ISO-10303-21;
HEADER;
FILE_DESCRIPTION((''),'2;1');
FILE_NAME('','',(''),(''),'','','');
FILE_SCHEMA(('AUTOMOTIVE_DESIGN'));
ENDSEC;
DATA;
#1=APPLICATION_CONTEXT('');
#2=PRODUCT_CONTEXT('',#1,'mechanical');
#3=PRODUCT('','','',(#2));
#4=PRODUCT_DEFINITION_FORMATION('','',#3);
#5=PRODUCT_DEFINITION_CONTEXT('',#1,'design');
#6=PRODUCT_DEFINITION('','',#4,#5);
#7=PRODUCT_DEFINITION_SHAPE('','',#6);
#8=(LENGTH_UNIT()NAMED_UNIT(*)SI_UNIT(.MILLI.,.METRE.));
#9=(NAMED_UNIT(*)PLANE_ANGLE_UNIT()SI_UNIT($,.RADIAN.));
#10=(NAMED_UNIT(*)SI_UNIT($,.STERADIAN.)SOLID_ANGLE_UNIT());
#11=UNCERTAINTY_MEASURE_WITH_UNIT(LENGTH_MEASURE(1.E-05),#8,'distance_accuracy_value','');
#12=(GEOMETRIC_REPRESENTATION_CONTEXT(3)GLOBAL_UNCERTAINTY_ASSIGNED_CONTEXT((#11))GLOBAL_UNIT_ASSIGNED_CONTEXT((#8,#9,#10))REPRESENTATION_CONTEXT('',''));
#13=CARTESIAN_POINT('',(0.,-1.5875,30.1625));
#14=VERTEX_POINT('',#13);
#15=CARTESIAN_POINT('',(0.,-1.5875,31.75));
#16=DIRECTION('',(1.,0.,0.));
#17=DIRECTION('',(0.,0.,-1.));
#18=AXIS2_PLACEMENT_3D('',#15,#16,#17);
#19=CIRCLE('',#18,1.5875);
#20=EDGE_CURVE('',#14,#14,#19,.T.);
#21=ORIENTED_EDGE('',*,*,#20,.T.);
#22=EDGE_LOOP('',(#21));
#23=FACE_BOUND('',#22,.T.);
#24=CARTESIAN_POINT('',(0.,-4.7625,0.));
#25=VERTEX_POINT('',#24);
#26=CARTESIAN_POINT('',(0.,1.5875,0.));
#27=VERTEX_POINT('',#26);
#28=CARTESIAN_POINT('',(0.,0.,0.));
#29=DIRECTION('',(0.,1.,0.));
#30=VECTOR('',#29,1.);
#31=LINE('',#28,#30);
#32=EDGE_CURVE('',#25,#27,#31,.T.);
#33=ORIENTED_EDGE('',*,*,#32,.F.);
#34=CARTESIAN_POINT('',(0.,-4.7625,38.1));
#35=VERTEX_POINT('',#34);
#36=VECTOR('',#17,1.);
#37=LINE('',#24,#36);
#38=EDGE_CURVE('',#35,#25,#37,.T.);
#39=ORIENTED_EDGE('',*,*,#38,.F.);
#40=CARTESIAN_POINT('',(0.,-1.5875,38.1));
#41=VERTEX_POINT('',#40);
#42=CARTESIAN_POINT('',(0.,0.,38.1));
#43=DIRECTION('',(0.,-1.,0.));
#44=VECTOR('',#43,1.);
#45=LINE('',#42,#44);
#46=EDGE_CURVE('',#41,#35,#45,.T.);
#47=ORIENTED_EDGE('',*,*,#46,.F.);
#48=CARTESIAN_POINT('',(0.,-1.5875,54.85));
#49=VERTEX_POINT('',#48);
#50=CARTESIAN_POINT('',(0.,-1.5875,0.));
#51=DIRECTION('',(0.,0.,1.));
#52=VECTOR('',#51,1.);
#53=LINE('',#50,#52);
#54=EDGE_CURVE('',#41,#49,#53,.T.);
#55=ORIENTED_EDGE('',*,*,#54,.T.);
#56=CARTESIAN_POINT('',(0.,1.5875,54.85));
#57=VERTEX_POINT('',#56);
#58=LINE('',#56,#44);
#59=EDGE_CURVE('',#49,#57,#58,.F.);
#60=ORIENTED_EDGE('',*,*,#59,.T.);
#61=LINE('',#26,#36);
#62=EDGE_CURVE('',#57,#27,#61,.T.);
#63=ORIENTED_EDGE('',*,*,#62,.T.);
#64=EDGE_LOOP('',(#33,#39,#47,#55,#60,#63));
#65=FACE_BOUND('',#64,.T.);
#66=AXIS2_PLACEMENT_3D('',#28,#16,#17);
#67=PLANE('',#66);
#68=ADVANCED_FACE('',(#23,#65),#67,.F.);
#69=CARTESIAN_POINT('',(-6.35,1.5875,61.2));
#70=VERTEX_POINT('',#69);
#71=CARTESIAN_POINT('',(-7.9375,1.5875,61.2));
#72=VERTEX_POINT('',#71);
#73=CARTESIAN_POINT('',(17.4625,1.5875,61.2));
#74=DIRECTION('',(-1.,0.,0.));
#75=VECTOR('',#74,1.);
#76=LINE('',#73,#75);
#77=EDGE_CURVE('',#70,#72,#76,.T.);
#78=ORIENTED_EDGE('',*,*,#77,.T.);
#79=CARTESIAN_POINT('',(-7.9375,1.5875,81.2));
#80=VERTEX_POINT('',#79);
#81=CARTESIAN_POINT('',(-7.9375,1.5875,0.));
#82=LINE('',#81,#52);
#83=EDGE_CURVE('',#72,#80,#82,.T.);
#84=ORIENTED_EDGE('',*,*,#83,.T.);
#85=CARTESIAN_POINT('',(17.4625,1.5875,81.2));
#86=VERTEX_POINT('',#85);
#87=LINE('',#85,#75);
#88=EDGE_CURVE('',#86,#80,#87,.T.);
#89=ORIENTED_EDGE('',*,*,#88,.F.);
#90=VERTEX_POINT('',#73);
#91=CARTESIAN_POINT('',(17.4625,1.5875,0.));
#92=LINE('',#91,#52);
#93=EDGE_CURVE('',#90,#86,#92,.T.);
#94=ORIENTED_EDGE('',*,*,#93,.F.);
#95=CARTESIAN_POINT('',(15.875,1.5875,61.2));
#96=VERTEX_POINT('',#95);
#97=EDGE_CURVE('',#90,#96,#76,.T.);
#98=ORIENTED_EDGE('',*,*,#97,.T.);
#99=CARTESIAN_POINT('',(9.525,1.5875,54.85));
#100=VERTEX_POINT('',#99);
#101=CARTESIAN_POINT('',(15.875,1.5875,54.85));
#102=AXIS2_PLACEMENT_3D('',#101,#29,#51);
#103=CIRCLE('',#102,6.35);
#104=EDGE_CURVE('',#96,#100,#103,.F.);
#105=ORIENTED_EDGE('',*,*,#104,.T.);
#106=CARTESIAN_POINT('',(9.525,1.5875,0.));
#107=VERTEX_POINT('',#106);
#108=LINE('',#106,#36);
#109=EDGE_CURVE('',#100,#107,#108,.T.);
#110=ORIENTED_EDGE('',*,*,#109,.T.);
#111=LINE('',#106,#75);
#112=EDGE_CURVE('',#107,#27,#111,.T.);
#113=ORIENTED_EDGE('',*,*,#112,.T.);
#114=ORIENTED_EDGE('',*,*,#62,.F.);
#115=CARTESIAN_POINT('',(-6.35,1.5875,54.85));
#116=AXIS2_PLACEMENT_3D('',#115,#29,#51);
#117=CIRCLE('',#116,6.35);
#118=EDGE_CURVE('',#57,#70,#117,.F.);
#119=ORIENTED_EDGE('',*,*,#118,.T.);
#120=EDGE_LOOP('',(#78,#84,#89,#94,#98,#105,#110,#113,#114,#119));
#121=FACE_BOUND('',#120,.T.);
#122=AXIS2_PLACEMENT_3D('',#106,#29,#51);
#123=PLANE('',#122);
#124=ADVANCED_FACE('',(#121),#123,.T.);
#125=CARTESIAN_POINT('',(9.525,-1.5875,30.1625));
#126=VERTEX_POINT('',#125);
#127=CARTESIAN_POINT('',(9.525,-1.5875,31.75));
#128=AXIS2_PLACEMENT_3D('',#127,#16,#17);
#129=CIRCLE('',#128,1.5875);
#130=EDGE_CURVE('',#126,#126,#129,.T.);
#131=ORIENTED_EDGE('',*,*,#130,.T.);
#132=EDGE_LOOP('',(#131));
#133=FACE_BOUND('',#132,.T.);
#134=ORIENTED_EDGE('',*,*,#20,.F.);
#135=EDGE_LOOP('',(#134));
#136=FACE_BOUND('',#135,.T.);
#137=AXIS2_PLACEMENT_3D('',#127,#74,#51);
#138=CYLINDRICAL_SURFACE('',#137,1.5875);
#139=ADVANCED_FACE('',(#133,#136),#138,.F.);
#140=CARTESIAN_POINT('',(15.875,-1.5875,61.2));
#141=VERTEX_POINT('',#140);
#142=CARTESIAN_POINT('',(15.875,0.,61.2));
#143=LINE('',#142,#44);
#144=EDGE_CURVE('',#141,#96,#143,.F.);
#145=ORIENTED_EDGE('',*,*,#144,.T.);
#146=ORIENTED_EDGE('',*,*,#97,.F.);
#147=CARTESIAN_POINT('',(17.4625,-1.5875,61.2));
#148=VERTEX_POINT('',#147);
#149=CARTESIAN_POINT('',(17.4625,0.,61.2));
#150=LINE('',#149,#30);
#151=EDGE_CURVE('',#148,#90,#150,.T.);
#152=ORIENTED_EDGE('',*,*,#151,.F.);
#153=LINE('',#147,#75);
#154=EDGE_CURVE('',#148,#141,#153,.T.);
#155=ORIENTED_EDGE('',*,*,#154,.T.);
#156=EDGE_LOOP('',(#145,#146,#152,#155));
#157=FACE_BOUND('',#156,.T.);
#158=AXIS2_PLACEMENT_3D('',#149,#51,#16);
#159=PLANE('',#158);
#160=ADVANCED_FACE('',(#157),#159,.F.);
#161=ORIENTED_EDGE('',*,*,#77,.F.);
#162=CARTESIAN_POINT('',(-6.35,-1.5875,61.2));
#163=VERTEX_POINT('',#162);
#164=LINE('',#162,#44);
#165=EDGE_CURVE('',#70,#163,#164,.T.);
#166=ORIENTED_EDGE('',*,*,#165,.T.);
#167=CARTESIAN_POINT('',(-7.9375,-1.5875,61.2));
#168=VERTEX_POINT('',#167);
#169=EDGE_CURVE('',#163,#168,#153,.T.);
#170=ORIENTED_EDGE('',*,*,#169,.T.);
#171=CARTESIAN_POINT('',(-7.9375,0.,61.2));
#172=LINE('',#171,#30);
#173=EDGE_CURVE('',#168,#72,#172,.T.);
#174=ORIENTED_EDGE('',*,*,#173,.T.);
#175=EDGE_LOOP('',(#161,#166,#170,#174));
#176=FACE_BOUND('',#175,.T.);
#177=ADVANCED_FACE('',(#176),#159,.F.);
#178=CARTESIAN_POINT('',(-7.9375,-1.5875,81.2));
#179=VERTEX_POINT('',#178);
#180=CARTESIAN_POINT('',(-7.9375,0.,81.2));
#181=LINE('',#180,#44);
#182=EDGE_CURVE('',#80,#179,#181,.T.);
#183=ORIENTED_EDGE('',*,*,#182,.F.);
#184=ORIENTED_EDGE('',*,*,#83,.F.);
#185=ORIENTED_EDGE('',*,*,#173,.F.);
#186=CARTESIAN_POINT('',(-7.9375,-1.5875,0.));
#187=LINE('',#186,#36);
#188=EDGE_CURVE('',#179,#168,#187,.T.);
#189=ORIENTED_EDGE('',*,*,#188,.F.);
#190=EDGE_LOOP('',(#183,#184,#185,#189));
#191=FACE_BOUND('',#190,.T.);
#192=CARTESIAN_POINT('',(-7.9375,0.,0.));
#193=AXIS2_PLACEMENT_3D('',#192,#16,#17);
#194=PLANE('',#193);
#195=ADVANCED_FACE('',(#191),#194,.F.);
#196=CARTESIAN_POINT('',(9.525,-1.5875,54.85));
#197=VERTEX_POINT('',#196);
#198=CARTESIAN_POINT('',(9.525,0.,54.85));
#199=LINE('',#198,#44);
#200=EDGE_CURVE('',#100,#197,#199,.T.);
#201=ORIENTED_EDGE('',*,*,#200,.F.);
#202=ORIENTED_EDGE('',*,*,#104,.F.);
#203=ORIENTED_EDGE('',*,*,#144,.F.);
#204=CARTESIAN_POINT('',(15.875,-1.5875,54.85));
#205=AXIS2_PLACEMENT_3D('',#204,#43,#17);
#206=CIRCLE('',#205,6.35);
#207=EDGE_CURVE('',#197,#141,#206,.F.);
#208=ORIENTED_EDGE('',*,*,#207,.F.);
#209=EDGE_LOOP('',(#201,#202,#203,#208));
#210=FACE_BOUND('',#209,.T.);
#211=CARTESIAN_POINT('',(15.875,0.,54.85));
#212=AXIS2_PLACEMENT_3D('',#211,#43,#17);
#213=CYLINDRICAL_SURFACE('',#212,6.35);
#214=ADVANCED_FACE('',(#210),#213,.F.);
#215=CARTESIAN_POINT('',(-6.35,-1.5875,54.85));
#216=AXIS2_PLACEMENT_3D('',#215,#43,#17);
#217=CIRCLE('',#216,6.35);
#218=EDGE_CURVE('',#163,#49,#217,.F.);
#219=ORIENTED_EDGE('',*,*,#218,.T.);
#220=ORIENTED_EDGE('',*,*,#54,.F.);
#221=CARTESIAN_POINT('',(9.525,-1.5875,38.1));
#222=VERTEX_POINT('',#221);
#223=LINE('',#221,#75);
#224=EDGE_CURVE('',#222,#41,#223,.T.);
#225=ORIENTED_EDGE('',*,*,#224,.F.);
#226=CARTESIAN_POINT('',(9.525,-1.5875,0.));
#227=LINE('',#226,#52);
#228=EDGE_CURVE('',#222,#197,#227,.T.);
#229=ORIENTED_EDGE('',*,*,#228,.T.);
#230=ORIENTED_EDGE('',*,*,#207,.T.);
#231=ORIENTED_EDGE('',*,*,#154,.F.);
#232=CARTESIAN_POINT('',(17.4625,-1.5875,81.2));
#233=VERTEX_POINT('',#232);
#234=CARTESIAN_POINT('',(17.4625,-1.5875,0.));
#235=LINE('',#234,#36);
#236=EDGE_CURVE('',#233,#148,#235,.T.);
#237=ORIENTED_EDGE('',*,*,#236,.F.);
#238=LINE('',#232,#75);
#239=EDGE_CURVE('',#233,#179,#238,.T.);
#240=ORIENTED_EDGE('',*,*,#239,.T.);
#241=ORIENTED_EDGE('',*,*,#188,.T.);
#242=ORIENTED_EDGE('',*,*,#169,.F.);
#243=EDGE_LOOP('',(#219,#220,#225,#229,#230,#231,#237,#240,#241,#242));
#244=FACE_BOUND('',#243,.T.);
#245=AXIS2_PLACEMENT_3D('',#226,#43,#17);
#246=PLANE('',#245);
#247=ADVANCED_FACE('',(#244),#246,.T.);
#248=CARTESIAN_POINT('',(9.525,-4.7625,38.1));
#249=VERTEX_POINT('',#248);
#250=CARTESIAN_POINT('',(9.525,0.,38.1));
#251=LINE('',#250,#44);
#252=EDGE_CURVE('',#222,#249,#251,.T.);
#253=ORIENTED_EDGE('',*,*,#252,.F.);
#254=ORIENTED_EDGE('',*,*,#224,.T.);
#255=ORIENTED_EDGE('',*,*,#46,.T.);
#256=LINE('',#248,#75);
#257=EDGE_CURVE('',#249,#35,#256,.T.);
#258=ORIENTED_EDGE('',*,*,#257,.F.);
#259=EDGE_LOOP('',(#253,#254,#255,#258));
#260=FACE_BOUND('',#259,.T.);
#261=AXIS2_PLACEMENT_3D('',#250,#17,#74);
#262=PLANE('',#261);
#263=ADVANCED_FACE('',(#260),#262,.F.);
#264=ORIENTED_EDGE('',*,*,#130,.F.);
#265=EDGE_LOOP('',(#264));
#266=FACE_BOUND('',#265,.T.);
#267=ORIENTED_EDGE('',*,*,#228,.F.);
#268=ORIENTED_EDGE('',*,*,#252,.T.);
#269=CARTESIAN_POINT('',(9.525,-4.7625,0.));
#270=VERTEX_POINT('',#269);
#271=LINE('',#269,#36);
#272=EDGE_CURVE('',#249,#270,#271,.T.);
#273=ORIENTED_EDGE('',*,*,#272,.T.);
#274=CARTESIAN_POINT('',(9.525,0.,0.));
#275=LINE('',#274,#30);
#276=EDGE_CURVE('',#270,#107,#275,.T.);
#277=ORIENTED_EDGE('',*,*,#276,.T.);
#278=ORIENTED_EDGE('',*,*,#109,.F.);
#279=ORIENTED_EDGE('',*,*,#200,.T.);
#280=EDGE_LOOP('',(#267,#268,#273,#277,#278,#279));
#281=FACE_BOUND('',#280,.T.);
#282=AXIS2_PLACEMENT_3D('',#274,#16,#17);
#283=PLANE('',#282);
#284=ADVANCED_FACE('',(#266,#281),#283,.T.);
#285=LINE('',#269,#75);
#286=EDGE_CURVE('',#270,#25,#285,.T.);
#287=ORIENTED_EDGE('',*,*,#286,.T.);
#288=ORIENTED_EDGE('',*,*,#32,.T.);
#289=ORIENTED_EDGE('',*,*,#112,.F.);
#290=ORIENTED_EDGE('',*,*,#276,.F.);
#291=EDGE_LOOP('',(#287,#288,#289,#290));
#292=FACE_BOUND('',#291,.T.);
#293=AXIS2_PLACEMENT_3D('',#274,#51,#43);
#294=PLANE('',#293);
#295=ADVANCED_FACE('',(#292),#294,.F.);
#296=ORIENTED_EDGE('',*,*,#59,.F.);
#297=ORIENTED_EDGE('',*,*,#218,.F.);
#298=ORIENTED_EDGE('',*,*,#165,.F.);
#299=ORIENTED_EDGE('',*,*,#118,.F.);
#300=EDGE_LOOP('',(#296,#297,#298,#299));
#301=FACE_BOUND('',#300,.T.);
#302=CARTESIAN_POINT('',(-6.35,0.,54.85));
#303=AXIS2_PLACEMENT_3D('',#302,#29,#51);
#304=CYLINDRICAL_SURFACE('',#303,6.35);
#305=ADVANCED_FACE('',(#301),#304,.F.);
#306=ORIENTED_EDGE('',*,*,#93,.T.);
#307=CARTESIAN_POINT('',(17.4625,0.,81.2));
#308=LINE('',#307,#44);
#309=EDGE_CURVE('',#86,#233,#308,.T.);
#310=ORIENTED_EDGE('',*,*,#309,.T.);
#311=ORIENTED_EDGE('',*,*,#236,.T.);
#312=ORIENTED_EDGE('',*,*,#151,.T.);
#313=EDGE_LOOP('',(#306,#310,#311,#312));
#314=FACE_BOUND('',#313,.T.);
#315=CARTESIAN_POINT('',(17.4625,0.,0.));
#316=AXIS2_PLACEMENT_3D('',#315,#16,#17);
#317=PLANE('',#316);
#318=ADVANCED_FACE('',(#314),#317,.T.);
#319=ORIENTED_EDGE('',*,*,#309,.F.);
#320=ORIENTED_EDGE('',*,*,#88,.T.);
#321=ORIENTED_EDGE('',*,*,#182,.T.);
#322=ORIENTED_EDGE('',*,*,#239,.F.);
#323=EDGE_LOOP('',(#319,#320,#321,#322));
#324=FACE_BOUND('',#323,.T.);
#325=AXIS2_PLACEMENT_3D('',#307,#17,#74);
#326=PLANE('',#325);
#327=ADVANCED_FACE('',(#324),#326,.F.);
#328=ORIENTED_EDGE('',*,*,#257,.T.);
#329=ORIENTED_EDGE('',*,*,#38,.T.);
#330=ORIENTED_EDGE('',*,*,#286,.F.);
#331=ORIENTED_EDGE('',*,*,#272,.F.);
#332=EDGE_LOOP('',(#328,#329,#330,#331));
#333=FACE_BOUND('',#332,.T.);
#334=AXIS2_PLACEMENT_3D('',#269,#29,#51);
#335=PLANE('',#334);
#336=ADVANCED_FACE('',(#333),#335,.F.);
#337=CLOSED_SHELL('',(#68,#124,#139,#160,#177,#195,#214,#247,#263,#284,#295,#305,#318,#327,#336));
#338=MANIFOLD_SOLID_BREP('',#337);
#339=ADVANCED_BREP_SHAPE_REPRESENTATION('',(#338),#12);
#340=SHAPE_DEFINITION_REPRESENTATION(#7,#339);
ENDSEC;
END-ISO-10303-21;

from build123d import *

# Parameters (mm, degrees)
SKETCH1_R           = 1.5875
BOSS_EXTRUDE1_DEPTH = 9.525
SKETCH3_W           = 15
SKETCH3_H           = 3.175
SKETCH3_W_2         = 5
BOSS_EXTRUDE2_DEPTH = 12.7
FILLET1_R           = 6.35


with BuildPart() as part:
    # Sketch1 → Boss-Extrude1 (new body)
    with BuildSketch(Plane(origin=(0, 0, 0), x_dir=(0, 0, -1), z_dir=(1, 0, 0))):
        Polygon((0, -1.5875), (0, 1.5875), (-76.2, 1.5875), (-76.2, -1.5875), (-38.1, -1.5875), (-38.1, -4.7625), (-25.4, -4.7625), (0, -4.7625), align=None)
        with Locations((-31.75, -1.5875)):
            Circle(SKETCH1_R, mode=Mode.SUBTRACT)
        Polygon((0, -1.5875), (0, 1.5875), (-76.2, 1.5875), (-76.2, -1.5875), (-38.1, -1.5875), (-38.1, -4.7625), (-25.4, -4.7625), (0, -4.7625), align=None)
        with Locations((-31.75, -1.5875)):
            Circle(SKETCH1_R, mode=Mode.SUBTRACT)
    extrude(amount=BOSS_EXTRUDE1_DEPTH)

    # Sketch3 → Boss-Extrude2 (add, symmetric)
    with BuildSketch(Plane(origin=(4.7625, 0, 0), x_dir=(0, 0, -1), z_dir=(1, 0, 0))):
        with Locations((-68.7, 0)):
            Rectangle(SKETCH3_W, SKETCH3_H)
        with Locations((-78.7, 0)):
            Rectangle(SKETCH3_W_2, SKETCH3_H)
    extrude(amount=BOSS_EXTRUDE2_DEPTH, both=True)

    # Fillet1
    fillet1_edges = [part.edges().sort_by_distance(p)[0] for p in [
        (0, 0, 61.2),
        (9.525, 0, 61.2),
    ]]
    fillet(fillet1_edges, radius=FILLET1_R)


solid = part.part
